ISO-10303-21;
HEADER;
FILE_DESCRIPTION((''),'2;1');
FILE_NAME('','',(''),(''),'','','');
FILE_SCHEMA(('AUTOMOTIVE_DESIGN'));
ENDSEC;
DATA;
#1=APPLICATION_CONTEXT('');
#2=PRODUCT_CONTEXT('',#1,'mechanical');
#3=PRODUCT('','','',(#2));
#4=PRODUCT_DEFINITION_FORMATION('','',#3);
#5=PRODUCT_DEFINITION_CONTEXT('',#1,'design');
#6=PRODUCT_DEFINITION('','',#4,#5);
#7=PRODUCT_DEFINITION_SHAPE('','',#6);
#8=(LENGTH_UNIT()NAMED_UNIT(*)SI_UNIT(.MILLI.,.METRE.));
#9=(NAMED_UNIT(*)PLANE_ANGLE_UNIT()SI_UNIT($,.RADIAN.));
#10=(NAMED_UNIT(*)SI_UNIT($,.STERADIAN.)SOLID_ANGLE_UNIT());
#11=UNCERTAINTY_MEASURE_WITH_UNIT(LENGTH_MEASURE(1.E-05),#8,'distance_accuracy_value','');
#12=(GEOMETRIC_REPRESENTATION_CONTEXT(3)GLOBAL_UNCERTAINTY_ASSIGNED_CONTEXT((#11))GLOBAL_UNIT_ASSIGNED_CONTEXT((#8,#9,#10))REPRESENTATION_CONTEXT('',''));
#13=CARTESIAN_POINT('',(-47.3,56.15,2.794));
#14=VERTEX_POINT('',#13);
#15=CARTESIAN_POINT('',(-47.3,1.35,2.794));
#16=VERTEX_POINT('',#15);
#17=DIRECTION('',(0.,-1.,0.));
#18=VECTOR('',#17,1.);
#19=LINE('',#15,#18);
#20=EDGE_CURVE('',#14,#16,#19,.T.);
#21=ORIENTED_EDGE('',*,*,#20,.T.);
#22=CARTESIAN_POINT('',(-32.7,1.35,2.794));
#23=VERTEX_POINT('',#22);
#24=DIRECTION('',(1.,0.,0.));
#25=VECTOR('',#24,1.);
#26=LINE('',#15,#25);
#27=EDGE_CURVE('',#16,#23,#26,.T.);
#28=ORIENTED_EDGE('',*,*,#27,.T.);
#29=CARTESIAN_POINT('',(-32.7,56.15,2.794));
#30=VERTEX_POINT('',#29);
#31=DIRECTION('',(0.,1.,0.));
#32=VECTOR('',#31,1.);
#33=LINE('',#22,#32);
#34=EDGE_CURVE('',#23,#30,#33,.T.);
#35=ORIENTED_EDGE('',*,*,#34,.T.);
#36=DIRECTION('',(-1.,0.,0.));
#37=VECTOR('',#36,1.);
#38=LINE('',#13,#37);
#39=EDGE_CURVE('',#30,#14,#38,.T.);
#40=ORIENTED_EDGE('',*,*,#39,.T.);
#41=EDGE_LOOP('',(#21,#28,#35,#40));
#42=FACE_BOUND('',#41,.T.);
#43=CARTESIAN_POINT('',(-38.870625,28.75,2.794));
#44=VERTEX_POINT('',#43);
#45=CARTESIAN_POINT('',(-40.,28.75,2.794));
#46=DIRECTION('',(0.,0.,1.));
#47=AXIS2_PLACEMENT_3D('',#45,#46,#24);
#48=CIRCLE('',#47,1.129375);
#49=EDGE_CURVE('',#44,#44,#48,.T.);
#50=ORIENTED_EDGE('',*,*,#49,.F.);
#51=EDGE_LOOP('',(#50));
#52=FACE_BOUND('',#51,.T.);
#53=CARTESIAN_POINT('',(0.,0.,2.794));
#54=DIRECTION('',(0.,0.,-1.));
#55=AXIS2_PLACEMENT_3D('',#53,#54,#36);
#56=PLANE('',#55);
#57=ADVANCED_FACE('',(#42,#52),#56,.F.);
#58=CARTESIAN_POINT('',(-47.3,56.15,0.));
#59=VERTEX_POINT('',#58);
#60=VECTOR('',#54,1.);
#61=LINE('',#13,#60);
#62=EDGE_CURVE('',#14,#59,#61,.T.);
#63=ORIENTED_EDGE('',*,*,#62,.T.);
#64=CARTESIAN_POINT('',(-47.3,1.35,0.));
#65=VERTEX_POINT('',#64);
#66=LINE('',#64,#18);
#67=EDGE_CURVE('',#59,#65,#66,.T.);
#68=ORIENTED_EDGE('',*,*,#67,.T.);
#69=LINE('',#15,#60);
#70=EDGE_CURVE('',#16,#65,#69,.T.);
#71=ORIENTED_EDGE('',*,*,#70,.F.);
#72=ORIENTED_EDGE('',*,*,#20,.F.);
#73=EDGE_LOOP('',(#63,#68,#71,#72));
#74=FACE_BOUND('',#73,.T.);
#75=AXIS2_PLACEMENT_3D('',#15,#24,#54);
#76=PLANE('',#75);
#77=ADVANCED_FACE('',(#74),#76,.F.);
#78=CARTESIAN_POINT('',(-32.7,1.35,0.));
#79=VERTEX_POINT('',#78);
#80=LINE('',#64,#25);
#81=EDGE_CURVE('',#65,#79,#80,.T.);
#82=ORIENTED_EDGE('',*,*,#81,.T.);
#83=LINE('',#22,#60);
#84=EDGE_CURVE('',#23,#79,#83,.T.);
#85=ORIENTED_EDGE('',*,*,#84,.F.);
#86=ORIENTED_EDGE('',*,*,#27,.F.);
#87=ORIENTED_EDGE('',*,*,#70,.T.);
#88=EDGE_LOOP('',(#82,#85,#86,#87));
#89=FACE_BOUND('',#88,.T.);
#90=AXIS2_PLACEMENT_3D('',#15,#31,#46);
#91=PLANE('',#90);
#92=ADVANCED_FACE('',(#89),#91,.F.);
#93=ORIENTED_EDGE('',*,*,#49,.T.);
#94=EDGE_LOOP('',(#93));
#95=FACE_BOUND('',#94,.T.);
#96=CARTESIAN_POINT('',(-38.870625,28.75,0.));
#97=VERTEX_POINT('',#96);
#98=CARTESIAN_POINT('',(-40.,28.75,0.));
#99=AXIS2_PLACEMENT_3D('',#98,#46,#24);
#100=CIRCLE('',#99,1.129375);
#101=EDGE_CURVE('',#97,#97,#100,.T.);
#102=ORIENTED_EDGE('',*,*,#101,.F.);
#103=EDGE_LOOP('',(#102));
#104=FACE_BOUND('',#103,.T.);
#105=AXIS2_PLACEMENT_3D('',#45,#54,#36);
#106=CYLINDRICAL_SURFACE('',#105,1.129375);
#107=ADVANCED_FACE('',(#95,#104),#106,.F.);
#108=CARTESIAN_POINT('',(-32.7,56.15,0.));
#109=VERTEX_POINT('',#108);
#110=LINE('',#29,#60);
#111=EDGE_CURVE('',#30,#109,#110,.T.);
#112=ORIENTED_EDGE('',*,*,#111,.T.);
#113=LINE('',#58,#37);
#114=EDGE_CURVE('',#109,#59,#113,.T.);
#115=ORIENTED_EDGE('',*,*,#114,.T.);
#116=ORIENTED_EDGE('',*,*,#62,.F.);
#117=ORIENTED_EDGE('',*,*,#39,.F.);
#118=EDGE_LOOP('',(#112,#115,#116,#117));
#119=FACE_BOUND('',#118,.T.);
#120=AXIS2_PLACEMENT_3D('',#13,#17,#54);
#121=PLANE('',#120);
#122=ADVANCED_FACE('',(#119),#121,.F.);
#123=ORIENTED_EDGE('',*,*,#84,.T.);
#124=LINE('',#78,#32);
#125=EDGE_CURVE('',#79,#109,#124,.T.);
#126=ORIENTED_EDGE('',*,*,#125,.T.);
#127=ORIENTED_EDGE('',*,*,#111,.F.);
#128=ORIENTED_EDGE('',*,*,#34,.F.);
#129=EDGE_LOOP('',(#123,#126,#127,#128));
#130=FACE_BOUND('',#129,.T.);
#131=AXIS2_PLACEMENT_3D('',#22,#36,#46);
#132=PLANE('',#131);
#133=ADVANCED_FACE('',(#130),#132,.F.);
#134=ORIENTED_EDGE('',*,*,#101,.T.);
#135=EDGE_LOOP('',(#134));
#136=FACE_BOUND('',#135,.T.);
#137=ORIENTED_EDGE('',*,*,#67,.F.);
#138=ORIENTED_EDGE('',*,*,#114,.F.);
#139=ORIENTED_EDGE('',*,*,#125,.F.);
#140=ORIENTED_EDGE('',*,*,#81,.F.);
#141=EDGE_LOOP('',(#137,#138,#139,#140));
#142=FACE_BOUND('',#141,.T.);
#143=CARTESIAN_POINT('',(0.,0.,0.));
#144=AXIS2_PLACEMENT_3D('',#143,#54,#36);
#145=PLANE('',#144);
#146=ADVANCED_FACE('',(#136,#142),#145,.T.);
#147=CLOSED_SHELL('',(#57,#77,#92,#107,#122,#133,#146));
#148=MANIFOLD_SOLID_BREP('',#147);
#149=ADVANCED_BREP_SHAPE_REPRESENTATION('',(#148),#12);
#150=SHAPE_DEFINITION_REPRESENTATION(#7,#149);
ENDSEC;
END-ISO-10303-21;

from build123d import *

# Parameters (mm, degrees)
SKETCH1_W           = 14.6
SKETCH1_H           = 54.8
SKETCH1_R           = 1.129374754
BOSS_EXTRUDE1_DEPTH = 2.794


with BuildPart() as part:
    # Sketch1 → Boss-Extrude1 (new body)
    with BuildSketch(Plane.XY):
        with Locations((-40, 28.75)):
            Rectangle(SKETCH1_W, SKETCH1_H)
        with Locations((-40, 28.75)):
            Circle(SKETCH1_R, mode=Mode.SUBTRACT)
    extrude(amount=BOSS_EXTRUDE1_DEPTH)


solid = part.part
